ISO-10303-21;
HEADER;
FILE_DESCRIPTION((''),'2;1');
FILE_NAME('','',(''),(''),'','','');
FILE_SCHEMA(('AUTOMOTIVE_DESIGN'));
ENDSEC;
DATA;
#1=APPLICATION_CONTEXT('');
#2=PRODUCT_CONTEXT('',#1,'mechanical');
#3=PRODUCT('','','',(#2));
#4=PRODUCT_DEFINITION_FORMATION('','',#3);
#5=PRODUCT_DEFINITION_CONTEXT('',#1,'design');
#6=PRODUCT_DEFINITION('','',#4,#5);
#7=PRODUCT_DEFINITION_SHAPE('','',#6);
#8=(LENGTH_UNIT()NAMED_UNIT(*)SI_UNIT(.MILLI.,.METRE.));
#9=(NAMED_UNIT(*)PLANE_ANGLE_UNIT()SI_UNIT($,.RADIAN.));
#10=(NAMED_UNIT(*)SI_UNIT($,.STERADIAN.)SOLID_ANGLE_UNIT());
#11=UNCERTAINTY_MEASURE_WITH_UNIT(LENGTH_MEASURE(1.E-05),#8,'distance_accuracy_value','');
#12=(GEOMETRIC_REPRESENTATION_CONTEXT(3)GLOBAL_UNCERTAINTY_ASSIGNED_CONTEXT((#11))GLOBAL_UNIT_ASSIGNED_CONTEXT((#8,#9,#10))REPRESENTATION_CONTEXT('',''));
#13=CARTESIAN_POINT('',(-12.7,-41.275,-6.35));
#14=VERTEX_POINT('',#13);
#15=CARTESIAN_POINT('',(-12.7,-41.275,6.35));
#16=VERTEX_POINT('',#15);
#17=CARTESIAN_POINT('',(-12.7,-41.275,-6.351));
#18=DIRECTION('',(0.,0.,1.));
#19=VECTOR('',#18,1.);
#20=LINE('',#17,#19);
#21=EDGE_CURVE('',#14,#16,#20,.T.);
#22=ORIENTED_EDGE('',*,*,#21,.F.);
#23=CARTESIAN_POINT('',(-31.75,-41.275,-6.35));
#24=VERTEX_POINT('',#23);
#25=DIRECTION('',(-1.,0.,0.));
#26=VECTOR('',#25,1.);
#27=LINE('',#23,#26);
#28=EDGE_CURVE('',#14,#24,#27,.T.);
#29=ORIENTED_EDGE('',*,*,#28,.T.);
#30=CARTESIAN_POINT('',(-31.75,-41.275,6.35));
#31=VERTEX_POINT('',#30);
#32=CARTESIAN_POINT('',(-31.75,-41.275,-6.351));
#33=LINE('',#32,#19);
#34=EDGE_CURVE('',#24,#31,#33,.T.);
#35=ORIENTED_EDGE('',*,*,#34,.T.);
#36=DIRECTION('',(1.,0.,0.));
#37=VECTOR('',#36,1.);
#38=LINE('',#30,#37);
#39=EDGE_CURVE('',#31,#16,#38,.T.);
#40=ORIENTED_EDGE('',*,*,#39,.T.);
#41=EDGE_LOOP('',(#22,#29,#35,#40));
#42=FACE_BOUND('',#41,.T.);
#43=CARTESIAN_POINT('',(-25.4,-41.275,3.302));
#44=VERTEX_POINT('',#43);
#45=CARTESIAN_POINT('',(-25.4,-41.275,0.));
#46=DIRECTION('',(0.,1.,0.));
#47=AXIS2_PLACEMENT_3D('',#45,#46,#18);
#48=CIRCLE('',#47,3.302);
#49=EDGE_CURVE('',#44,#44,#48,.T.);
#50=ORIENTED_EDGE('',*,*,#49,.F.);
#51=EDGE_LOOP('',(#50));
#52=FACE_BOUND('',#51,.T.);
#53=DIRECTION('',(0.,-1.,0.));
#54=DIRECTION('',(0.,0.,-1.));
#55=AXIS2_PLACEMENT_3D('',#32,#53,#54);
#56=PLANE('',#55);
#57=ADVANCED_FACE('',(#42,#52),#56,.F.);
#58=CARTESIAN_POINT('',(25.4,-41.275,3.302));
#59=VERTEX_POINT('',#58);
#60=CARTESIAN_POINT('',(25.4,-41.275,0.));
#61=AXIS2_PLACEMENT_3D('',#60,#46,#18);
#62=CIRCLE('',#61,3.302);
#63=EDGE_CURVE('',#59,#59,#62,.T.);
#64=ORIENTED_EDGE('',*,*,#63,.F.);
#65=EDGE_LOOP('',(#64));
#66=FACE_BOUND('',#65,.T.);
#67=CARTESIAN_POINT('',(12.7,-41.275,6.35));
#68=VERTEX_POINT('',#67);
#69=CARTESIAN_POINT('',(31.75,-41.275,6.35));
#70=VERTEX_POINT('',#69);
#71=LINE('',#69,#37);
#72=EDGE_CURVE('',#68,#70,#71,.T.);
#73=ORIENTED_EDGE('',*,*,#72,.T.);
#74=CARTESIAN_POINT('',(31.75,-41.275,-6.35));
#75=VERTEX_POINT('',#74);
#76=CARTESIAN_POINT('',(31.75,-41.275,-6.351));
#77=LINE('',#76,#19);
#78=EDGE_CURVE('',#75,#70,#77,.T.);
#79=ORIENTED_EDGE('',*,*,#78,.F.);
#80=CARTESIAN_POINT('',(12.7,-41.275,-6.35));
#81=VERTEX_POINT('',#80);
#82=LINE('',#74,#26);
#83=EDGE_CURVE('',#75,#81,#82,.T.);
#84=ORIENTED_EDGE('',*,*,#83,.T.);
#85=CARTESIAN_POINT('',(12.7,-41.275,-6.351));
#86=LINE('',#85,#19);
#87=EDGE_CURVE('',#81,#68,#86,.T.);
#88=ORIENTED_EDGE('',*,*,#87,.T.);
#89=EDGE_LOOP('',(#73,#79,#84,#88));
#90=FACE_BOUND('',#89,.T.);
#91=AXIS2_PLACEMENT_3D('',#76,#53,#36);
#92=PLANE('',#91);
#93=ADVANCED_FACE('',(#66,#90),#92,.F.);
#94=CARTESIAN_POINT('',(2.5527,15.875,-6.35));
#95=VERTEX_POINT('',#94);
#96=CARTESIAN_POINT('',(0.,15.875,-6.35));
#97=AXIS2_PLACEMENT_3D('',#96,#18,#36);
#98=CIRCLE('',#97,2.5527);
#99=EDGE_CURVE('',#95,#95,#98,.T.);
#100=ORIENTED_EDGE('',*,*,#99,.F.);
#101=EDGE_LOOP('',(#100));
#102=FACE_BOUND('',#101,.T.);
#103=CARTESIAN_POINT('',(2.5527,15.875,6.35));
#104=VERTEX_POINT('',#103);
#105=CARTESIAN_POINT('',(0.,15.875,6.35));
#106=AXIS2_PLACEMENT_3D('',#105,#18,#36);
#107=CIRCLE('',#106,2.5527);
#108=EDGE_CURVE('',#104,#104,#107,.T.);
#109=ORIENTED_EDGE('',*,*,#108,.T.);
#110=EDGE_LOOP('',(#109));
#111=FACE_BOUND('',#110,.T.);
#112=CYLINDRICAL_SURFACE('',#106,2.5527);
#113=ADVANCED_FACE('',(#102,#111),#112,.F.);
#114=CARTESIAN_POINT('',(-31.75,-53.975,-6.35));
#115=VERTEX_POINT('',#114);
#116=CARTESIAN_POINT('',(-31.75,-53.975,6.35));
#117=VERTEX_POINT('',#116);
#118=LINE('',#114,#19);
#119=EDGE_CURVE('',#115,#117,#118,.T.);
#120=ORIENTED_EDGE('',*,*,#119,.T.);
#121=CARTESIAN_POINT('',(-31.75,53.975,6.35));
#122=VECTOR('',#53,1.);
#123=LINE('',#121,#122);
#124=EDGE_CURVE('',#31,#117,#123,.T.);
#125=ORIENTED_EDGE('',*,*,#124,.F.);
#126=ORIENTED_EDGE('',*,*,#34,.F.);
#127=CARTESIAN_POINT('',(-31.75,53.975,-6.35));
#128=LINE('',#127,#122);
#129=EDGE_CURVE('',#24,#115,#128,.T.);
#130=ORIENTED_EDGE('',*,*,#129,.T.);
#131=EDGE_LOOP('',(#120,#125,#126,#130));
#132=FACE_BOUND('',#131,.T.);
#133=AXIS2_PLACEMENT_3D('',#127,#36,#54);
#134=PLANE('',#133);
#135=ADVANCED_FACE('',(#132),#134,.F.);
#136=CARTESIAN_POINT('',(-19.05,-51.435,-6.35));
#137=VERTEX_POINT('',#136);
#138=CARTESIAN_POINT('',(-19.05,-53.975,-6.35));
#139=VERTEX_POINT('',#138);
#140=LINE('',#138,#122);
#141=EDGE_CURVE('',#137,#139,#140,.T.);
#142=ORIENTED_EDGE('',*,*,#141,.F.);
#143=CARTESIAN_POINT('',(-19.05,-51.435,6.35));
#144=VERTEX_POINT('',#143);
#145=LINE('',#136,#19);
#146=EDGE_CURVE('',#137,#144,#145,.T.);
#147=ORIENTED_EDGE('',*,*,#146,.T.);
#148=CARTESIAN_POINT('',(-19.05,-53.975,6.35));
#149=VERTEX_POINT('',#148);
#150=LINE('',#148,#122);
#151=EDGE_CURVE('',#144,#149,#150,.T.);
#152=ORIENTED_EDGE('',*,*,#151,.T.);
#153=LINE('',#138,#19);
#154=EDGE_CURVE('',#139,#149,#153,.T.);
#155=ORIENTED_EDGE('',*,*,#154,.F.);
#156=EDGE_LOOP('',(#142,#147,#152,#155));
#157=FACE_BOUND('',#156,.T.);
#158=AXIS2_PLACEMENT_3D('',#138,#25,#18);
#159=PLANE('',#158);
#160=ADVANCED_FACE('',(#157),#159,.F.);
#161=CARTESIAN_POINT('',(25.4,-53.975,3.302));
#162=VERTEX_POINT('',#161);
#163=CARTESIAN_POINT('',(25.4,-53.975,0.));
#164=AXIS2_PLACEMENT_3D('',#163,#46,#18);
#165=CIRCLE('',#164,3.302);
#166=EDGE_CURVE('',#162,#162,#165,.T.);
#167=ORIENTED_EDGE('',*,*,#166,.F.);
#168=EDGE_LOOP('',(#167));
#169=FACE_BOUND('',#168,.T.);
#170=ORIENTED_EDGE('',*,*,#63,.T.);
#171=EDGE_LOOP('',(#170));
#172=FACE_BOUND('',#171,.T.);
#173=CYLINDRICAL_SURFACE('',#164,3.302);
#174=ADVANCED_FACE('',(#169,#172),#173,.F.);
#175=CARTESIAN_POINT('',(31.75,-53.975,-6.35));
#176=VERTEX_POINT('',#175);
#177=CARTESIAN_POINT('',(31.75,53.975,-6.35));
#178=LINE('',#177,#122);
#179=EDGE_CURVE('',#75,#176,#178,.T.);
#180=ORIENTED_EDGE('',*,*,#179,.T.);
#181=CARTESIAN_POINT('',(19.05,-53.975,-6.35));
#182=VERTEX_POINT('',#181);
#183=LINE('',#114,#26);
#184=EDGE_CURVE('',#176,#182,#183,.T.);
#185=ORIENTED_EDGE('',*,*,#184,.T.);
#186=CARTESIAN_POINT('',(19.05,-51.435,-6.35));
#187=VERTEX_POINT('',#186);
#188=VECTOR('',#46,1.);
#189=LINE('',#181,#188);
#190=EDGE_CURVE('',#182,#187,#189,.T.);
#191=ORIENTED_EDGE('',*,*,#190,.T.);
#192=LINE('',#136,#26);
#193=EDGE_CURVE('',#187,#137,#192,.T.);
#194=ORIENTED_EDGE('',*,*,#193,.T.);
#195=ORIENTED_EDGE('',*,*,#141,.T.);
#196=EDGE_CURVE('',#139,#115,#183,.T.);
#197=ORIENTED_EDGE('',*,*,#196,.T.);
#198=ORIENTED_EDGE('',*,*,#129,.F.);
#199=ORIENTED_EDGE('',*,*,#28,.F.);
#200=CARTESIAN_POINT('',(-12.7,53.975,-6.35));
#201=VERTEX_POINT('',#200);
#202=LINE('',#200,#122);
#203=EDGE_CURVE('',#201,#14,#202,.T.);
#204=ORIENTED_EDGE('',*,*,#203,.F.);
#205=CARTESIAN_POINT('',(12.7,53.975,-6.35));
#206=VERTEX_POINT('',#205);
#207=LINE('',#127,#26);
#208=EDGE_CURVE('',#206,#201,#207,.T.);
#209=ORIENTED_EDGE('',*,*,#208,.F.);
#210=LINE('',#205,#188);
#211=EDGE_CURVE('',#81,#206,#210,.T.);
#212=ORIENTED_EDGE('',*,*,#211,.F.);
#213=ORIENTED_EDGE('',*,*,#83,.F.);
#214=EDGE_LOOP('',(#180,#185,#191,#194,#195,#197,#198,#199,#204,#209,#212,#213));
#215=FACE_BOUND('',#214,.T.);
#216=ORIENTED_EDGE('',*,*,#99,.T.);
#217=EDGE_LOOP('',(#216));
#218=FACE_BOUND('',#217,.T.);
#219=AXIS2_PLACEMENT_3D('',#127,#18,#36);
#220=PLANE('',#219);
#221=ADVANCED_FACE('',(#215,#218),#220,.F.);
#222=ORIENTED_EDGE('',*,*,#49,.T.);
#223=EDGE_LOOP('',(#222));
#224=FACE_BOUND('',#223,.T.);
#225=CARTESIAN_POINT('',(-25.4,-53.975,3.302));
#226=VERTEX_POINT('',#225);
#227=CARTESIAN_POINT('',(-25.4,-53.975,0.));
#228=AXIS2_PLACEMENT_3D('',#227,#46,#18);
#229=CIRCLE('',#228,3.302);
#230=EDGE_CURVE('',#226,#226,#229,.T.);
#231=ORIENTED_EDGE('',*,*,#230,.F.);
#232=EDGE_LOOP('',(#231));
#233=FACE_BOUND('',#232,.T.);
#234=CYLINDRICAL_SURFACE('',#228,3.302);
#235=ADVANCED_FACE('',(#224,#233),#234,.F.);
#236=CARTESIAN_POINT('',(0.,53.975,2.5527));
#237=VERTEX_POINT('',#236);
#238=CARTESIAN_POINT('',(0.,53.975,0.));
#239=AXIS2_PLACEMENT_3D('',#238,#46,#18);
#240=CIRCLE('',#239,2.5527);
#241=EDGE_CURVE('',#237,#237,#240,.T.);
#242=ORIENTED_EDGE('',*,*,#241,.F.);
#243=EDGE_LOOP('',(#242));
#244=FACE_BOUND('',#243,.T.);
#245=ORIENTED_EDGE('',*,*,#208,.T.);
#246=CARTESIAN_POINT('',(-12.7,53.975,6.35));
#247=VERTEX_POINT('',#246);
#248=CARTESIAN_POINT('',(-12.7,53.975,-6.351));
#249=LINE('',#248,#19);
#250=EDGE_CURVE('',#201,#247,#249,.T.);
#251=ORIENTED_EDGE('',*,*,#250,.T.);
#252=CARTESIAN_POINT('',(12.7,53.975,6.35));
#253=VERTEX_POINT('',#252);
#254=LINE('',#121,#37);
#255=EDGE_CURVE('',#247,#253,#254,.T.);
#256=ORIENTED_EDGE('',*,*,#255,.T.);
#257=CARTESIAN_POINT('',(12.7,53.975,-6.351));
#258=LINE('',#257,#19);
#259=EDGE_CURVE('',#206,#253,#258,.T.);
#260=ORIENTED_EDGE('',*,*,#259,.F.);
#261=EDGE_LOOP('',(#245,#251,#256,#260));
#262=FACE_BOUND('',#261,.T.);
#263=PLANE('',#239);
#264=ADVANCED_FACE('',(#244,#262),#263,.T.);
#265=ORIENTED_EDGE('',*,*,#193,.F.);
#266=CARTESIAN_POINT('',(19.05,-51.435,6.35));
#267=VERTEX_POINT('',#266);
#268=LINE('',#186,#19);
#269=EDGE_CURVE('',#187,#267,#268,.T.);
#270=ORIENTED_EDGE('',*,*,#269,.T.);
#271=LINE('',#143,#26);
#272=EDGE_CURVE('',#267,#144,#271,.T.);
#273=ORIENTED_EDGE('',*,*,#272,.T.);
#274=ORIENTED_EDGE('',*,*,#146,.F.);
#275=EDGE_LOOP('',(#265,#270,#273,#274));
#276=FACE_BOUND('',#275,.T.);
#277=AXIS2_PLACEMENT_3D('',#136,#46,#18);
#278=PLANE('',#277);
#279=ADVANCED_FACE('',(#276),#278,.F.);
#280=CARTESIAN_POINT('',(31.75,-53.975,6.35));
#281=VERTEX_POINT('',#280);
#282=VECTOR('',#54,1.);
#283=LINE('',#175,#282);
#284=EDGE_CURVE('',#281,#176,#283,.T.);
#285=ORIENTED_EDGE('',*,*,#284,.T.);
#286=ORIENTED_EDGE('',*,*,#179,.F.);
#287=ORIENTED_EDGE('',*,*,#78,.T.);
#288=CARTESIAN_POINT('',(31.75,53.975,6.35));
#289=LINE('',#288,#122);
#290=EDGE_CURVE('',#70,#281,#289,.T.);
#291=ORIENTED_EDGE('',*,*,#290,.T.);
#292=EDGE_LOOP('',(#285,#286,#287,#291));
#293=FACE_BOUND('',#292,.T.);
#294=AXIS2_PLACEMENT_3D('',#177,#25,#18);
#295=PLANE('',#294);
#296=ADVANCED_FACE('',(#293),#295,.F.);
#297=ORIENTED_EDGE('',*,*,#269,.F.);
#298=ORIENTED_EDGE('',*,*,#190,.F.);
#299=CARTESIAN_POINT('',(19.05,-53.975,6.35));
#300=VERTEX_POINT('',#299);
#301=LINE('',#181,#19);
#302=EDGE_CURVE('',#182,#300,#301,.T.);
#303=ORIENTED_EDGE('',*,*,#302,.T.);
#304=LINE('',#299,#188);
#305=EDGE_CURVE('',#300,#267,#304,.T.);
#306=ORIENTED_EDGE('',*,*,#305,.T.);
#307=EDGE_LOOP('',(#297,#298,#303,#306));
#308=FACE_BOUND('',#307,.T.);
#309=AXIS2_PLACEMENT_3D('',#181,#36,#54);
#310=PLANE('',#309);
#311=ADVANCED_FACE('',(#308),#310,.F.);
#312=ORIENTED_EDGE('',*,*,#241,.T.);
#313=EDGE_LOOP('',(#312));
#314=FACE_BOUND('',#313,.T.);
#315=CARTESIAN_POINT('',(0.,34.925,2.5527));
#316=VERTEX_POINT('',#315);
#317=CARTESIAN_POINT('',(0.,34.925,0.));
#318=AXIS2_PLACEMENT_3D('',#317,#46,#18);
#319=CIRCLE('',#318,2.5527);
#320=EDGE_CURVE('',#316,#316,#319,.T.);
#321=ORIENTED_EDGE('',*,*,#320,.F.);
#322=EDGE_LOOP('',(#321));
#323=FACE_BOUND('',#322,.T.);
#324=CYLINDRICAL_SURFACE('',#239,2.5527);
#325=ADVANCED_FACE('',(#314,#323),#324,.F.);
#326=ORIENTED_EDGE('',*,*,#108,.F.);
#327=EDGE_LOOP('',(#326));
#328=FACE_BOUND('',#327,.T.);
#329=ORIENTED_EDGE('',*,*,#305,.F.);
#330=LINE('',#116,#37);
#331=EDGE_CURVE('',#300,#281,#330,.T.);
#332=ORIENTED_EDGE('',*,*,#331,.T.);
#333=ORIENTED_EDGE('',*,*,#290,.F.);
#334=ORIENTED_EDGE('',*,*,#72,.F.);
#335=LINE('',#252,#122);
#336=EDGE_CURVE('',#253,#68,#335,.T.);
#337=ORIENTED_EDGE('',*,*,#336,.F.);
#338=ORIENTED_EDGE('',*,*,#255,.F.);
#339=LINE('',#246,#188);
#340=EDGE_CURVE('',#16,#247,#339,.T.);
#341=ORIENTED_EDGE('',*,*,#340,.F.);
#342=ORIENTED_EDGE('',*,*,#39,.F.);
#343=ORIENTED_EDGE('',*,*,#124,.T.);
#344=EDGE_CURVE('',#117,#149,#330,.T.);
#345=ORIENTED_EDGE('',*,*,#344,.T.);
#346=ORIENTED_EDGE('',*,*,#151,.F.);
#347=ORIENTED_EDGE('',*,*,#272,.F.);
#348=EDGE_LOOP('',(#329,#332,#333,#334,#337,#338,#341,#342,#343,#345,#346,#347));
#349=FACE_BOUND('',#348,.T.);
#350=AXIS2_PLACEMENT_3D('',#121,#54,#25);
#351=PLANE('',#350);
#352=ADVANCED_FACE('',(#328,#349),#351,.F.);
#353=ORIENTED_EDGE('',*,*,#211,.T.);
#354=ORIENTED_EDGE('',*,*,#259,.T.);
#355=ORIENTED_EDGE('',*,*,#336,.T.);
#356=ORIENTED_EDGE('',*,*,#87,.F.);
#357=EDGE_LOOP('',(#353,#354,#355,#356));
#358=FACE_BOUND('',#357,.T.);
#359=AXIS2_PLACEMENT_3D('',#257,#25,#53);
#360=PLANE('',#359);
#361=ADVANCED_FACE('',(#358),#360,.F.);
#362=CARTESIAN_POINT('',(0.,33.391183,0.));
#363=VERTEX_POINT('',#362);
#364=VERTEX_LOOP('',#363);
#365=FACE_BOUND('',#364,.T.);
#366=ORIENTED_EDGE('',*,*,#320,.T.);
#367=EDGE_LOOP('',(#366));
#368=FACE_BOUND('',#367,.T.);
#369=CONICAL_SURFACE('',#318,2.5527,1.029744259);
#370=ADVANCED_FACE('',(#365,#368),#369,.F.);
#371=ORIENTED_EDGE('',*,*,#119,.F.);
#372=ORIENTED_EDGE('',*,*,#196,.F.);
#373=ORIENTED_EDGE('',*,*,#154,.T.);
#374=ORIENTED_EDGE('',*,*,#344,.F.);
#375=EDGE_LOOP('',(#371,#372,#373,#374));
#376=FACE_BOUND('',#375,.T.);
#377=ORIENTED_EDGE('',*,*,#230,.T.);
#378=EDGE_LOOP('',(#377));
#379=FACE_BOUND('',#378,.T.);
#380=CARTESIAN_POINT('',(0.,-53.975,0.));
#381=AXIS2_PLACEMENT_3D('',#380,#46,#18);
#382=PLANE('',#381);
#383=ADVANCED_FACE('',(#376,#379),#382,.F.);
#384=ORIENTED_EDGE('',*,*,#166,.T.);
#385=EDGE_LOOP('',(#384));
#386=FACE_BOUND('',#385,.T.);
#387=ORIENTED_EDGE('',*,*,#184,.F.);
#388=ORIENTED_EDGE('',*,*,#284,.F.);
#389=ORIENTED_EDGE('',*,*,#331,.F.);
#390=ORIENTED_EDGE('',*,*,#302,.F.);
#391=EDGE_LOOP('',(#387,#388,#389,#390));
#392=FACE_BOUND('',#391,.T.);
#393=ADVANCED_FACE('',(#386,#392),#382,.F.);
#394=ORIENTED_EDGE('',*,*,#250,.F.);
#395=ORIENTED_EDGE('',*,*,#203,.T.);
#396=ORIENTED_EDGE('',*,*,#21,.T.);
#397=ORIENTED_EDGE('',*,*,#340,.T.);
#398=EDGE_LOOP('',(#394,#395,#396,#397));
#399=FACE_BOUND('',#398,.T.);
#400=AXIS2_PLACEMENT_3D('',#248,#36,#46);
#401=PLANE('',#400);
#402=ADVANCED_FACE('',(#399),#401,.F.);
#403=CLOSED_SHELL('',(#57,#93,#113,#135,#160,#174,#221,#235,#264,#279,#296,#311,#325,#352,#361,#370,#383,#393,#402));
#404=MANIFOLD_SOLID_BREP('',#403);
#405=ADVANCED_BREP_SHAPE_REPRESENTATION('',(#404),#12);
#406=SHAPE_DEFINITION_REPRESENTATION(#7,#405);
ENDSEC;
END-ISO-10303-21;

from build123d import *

# Parameters (mm, degrees)
SKETCH1_W                   = 63.5
SKETCH1_H                   = 12.7
BOSS_EXTRUDE1_DEPTH         = 53.975
CUT_EXTRUDE1_REACH          = 14.7
SKETCH2_W                   = 19.05
SKETCH2_H                   = 95.25
SKETCH3_R                   = 3.302
CUT_EXTRUDE2_DEPTH          = 13.7
F_1_4_20_TAPPED_HOLE1_D     = 5.1054
F_1_4_20_TAPPED_HOLE1_DEPTH = 19.05
F_1_4_20_TAPPED_HOLE1_TIP   = 1.533816902
SKETCH6_W                   = 38.1
SKETCH6_H                   = 2.54
CUT_EXTRUDE3_DEPTH          = 13.7
F_1_4_20_TAPPED_HOLE2_D     = 5.1054
F_1_4_20_TAPPED_HOLE2_DEPTH = 25.4
F_1_4_20_TAPPED_HOLE2_TIP   = 1.533816902


with BuildPart() as part:
    # Sketch1 → Boss-Extrude1 (new body, symmetric)
    with BuildSketch(Plane(origin=(0, 0, 0), x_dir=(1, 0, 0), z_dir=(0, 1, 0))):
        Rectangle(SKETCH1_W, SKETCH1_H)
    extrude(amount=BOSS_EXTRUDE1_DEPTH, both=True)

    # Sketch2 → Cut-Extrude1 (cut, up to next)
    with BuildSketch(Plane.XY.offset(6.35), mode=Mode.PRIVATE) as cut_extrude1_sk1:
        with Locations((-22.225, 6.35)):
            Rectangle(SKETCH2_W, SKETCH2_H)
    cut_extrude1_tool1 = extrude(cut_extrude1_sk1.sketch, amount=-CUT_EXTRUDE1_REACH, mode=Mode.PRIVATE) & part.part
    add(cut_extrude1_tool1.solids().sort_by_distance((-22.225, 6.35, 6.35))[0], mode=Mode.SUBTRACT)
    # Sketch2 → Cut-Extrude1 (cut, up to next)
    with BuildSketch(Plane.XY.offset(6.35), mode=Mode.PRIVATE) as cut_extrude1_sk2:
        with Locations((22.225, 6.35)):
            Rectangle(SKETCH2_W, SKETCH2_H)
    cut_extrude1_tool2 = extrude(cut_extrude1_sk2.sketch, amount=-CUT_EXTRUDE1_REACH, mode=Mode.PRIVATE) & part.part
    add(cut_extrude1_tool2.solids().sort_by_distance((22.225, 6.35, 6.35))[0], mode=Mode.SUBTRACT)

    # Sketch3 → Cut-Extrude2 (cut, through all)
    with BuildSketch(Plane(origin=(0, -41.275, 0), x_dir=(1, 0, 0), z_dir=(0, 1, 0))):
        with Locations((-25.4, 0)):
            Circle(SKETCH3_R)
        with Locations((25.4, 0)):
            Circle(SKETCH3_R)
    extrude(amount=-CUT_EXTRUDE2_DEPTH, mode=Mode.SUBTRACT)

    # 1/4-20 Tapped Hole1
    with Locations(Plane(origin=(0, 53.975, 0), x_dir=(1, 0, 0), z_dir=(0, 1, 0))):
        with Locations((0, 0)):
            Hole(F_1_4_20_TAPPED_HOLE1_D / 2, depth=F_1_4_20_TAPPED_HOLE1_DEPTH)
            with Locations((0, 0, -(F_1_4_20_TAPPED_HOLE1_DEPTH + F_1_4_20_TAPPED_HOLE1_TIP / 2))):  # 118° drill point
                Cone(0, F_1_4_20_TAPPED_HOLE1_D / 2, F_1_4_20_TAPPED_HOLE1_TIP, mode=Mode.SUBTRACT)

    # Sketch6 → Cut-Extrude3 (cut, through all)
    with BuildSketch(Plane.XY.offset(6.35)):
        with Locations((0, -52.705)):
            Rectangle(SKETCH6_W, SKETCH6_H)
    extrude(amount=-CUT_EXTRUDE3_DEPTH, mode=Mode.SUBTRACT)

    # 1/4-20 Tapped Hole2
    with Locations(Plane.XY.offset(6.35)):
        with Locations((0, 15.875)):
            Hole(F_1_4_20_TAPPED_HOLE2_D / 2, depth=F_1_4_20_TAPPED_HOLE2_DEPTH)
            with Locations((0, 0, -(F_1_4_20_TAPPED_HOLE2_DEPTH + F_1_4_20_TAPPED_HOLE2_TIP / 2))):  # 118° drill point
                Cone(0, F_1_4_20_TAPPED_HOLE2_D / 2, F_1_4_20_TAPPED_HOLE2_TIP, mode=Mode.SUBTRACT)


solid = part.part
